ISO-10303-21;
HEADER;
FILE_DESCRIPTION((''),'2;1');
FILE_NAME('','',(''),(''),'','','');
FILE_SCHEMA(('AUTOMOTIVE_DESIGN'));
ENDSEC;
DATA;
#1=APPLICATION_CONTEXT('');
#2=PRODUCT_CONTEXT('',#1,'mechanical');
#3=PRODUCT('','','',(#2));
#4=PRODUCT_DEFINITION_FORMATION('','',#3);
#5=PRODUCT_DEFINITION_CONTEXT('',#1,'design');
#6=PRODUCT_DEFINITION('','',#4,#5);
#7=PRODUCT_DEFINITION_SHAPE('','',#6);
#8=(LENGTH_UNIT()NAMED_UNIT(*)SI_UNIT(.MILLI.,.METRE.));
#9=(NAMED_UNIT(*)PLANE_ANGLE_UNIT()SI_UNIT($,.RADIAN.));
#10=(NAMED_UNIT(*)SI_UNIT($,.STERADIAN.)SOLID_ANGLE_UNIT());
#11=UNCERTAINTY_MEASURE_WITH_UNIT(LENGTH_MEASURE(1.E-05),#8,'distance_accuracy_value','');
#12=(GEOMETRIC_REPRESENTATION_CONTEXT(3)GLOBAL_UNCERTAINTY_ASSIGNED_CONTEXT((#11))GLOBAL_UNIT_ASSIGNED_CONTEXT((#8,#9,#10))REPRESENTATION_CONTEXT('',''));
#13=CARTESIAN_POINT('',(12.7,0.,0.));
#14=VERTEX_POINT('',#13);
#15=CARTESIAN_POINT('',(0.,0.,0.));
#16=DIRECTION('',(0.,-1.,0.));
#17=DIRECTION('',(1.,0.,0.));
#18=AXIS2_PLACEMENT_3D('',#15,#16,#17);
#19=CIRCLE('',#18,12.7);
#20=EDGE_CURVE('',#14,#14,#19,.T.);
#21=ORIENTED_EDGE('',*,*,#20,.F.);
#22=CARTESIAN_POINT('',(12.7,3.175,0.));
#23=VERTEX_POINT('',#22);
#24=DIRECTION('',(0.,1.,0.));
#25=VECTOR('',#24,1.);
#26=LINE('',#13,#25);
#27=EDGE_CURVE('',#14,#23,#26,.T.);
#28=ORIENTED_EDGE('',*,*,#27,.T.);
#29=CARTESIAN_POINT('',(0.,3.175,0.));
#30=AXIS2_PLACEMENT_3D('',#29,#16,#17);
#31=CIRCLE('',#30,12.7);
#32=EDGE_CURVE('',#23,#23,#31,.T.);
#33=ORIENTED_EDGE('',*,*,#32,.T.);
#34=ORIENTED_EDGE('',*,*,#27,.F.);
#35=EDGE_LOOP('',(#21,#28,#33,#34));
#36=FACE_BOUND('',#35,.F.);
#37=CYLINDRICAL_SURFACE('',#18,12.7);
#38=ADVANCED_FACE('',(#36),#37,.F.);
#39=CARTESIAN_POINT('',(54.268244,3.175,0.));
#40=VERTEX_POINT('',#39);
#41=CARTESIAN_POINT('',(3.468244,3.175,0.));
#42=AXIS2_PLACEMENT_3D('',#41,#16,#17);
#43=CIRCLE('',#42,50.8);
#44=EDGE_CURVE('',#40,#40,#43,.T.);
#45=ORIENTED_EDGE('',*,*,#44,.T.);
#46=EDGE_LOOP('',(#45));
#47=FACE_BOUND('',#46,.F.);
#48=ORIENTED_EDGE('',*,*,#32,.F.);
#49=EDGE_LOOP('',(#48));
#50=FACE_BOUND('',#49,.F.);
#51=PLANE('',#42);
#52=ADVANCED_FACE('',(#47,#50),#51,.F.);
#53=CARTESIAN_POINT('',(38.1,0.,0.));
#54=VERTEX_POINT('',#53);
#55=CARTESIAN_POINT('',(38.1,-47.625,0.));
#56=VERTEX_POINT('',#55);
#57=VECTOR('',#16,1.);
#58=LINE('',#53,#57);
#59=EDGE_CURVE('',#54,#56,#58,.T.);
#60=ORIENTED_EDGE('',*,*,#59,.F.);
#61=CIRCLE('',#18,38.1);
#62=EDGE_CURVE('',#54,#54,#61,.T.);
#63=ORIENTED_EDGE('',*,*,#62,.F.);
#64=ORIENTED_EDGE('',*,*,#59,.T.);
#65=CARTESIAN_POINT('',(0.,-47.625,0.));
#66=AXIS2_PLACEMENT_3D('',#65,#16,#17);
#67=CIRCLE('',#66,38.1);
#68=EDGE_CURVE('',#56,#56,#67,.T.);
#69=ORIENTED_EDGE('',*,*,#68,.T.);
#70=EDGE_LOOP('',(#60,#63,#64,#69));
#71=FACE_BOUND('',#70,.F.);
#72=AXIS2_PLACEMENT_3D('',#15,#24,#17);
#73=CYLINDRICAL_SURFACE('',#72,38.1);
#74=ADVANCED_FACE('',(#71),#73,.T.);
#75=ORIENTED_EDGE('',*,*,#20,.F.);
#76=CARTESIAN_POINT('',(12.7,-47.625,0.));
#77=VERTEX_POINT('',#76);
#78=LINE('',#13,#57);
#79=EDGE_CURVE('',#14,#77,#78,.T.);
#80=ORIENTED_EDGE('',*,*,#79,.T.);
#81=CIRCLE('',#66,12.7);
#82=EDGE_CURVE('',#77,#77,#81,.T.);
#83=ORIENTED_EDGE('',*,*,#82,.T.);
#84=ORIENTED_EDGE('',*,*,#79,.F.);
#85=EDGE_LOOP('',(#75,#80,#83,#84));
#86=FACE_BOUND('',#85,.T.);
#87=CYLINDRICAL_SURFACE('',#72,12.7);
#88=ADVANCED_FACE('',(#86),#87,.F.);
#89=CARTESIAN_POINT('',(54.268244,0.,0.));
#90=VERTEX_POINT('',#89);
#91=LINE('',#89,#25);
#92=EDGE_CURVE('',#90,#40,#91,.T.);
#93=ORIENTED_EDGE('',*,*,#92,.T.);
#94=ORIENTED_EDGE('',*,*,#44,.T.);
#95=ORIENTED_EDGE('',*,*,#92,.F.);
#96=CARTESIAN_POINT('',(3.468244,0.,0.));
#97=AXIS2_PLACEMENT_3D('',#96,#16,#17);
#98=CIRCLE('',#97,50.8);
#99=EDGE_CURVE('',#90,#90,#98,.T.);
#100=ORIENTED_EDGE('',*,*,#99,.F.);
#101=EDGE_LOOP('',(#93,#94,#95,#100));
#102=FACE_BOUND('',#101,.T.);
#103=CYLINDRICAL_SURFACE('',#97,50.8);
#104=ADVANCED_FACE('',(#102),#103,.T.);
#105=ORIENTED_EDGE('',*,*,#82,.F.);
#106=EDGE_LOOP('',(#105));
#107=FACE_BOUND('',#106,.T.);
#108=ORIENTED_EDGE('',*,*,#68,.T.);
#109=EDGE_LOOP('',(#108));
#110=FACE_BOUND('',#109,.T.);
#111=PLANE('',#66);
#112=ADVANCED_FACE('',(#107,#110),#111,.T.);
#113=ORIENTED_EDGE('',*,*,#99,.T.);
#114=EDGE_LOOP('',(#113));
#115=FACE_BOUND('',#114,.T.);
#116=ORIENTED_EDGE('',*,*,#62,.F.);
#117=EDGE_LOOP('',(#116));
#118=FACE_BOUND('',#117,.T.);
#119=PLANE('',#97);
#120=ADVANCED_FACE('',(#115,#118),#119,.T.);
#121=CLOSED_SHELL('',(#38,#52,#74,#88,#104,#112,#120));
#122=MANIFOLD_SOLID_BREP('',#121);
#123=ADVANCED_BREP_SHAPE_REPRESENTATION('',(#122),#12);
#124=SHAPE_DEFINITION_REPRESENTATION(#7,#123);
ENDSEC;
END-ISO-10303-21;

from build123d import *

# Parameters (mm, degrees)
F0_R     = 38.1
F1_DEPTH = 47.625
F2_R     = 50.8
F3_DEPTH = 3.175
F4_R     = 12.7
F5_DEPTH = 47.625
F6_DEPTH = 3.175


with BuildPart() as f1:
    # F0 (on Front) → F1 (new body)
    with BuildSketch(Plane.XZ):
        Circle(F0_R)
    extrude(amount=F1_DEPTH)

    # F2 (on Front) → F3 (join)
    with BuildSketch(Plane.XZ):
        with Locations((3.468244, 0)):
            Circle(F2_R)
    extrude(amount=-F3_DEPTH)

    # F4 (on Front) → F5 (cut, through all)
    with BuildSketch(Plane.XZ):
        Circle(F4_R)
    extrude(amount=F5_DEPTH, mode=Mode.SUBTRACT)

    # F4 (on Front) → F6 (cut, through all)
    with BuildSketch(Plane.XZ):
        Circle(F4_R)
    extrude(amount=-F6_DEPTH, mode=Mode.SUBTRACT)


solid = f1.part
